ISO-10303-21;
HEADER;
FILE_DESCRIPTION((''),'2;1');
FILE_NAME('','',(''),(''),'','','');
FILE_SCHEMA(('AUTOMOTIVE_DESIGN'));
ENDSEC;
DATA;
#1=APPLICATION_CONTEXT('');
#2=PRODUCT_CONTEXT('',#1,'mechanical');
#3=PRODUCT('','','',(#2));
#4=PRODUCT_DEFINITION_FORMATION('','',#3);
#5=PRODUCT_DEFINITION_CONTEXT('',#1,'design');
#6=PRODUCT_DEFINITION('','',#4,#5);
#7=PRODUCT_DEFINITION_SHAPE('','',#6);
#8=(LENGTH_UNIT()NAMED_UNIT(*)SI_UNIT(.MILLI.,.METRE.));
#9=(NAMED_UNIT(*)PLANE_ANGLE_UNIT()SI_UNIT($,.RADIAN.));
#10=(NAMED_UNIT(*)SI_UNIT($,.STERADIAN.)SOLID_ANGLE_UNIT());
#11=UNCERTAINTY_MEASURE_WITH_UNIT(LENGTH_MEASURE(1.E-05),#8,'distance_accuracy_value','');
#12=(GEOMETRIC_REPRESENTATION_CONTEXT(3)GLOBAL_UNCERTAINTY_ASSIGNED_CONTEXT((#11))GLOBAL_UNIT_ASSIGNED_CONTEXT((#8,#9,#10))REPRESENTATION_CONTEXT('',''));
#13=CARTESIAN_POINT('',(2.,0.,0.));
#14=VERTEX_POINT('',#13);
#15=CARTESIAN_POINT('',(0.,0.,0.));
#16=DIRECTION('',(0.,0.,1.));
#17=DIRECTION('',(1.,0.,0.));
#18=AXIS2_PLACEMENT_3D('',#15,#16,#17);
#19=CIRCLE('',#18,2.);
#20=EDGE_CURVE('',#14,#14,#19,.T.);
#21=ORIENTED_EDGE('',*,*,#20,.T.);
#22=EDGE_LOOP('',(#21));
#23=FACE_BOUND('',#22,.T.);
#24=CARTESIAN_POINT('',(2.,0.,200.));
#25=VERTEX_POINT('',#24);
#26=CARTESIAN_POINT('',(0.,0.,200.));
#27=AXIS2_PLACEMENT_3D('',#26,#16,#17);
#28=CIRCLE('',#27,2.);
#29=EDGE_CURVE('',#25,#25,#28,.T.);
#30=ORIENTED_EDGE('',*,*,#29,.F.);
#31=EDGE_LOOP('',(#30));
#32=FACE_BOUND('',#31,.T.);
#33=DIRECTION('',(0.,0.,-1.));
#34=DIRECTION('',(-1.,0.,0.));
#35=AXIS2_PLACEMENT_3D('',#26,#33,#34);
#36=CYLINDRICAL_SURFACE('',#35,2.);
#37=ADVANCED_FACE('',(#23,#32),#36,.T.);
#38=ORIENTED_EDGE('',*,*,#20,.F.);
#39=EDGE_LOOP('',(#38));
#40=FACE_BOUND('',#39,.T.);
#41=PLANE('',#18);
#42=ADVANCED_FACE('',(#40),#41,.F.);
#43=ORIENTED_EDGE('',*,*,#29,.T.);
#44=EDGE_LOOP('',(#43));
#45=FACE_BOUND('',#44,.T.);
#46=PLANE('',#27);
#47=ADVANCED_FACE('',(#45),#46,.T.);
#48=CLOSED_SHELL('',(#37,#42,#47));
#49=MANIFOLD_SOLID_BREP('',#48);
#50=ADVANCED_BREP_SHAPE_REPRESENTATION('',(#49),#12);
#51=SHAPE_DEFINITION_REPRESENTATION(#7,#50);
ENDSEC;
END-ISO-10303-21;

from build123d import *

# Parameters (mm, degrees)
SKETCH_1_R      = 2
EXTRUDE_1_DEPTH = 200


with BuildPart() as part:
    # 草图1 → 凸台-拉伸1 (new body)
    with BuildSketch(Plane.XY):
        Circle(SKETCH_1_R)
    extrude(amount=EXTRUDE_1_DEPTH)


solid = part.part
